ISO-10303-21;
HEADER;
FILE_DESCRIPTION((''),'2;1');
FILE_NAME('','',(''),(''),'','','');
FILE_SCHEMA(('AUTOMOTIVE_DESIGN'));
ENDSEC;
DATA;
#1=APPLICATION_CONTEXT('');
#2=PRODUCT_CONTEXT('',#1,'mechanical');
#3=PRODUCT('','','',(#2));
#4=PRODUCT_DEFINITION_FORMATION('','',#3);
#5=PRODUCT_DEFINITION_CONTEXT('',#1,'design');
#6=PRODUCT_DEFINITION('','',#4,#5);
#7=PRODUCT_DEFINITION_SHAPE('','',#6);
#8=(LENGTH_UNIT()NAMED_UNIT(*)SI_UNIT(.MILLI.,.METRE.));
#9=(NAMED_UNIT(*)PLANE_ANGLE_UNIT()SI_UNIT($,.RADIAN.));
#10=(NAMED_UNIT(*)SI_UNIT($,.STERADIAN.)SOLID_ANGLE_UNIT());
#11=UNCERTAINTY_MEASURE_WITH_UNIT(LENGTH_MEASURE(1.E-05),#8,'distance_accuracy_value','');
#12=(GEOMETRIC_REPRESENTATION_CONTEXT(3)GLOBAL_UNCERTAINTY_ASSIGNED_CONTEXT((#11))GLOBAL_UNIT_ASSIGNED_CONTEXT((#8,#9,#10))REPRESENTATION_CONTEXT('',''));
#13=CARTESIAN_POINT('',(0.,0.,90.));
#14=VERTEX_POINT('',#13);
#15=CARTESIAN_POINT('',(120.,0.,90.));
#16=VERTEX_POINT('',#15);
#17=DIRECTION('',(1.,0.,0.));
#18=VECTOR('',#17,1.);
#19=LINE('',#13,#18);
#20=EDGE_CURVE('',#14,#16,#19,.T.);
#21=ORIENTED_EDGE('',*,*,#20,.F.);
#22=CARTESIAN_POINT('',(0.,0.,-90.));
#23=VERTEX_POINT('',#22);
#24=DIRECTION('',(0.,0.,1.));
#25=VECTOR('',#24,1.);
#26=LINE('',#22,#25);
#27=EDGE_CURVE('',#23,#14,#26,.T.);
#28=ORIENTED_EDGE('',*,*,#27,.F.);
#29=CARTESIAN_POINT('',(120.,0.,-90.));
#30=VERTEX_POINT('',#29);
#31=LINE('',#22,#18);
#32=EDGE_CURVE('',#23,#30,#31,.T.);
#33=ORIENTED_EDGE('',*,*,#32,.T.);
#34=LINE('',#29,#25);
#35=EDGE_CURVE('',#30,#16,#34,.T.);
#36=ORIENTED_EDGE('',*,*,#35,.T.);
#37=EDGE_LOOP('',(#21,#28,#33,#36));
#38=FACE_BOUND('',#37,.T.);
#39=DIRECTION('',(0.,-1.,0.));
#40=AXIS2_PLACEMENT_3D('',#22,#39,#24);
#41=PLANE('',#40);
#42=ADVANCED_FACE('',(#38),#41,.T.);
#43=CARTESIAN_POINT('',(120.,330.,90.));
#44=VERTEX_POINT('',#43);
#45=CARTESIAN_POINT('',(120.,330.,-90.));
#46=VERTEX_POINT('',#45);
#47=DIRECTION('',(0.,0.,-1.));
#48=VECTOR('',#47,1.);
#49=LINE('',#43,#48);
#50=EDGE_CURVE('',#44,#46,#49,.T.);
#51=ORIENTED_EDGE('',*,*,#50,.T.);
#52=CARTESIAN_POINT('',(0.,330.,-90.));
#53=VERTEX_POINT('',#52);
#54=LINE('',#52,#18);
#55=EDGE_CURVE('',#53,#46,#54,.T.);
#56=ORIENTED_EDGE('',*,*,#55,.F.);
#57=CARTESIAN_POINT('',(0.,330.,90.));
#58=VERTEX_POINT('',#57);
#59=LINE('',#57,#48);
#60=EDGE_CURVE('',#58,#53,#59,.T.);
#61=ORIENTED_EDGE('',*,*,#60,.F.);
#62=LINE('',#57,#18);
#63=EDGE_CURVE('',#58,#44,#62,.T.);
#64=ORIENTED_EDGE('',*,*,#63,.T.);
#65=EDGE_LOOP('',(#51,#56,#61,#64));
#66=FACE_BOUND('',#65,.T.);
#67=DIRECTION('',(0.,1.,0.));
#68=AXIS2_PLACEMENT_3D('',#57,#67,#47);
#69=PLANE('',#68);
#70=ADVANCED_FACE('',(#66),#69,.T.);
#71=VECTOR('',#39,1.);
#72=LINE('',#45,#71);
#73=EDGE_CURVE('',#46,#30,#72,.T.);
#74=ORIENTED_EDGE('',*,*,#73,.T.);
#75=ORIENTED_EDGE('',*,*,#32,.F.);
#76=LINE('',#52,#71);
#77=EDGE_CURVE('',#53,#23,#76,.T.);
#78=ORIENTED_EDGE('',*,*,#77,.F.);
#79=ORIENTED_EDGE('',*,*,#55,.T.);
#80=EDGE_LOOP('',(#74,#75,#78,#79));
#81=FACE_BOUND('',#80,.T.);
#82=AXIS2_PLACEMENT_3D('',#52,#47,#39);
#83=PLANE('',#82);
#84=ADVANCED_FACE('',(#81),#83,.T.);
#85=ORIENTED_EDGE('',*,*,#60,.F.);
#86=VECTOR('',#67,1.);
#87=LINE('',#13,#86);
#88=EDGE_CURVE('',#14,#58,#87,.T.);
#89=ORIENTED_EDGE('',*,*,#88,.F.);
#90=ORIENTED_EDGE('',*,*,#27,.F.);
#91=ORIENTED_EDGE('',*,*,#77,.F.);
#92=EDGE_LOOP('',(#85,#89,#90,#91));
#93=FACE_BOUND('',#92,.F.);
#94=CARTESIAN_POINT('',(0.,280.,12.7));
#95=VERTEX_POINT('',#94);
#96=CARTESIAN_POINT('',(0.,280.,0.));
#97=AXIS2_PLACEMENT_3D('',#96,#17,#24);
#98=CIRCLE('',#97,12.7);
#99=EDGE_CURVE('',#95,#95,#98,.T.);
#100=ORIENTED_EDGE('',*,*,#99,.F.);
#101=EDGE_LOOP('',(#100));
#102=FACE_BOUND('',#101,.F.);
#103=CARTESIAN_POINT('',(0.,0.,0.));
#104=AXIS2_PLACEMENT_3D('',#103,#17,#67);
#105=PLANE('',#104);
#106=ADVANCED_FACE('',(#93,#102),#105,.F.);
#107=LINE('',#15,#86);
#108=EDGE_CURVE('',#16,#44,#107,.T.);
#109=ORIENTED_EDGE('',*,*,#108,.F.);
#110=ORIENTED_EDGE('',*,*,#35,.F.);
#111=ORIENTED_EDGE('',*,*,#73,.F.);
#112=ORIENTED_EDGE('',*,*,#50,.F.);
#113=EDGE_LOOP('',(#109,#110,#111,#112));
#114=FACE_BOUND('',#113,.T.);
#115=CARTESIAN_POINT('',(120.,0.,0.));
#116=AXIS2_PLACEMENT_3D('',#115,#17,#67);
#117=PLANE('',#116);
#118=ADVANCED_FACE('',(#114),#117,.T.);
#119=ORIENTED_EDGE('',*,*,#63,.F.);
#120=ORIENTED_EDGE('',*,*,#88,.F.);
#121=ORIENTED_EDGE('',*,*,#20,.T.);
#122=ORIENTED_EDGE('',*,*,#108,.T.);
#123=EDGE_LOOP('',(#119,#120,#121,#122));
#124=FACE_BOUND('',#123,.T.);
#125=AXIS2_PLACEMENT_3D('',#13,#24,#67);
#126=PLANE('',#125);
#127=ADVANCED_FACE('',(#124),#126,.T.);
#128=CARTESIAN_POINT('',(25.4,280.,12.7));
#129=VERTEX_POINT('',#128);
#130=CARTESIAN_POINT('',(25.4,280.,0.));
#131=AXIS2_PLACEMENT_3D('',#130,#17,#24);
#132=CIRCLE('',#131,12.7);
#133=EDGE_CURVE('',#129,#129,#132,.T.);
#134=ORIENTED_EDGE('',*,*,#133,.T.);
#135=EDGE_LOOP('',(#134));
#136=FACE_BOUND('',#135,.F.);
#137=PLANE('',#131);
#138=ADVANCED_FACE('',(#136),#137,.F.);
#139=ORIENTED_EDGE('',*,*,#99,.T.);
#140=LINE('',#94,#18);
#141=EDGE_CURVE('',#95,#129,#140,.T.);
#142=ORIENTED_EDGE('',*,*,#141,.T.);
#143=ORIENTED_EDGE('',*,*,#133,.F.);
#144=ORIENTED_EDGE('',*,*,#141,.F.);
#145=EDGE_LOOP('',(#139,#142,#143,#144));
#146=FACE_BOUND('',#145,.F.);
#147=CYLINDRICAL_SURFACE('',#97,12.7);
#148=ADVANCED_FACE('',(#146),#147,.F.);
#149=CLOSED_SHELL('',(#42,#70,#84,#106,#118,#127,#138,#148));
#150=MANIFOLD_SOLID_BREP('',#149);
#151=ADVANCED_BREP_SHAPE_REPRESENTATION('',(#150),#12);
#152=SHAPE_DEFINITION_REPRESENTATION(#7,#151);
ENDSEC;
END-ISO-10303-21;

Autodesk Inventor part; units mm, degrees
ref_plane "YZ Plane" through (0, 0, 0) normal (1, 0, 0) x (0, 1, 0)
ref_plane "XZ Plane" through (0, 0, 0) normal (0, 1, 0) x (-1, 0, 0)
ref_plane "XY Plane" through (0, 0, 0) normal (0, 0, 1) x (1, 0, 0)
sketch "Sketch1" plane through (0, 0, 0) normal (1, 0, 0) x (0, 1, 0)
  line L0 (0, 90) -> (330, 90)
  line L1 (330, 90) -> (330, -90)
  line L2 (330, -90) -> (0, -90)
  line L3 (0, -90) -> (0, 90)
  line L4 (0, 0) -> (345.997, 0) construction
  dimension "d0" = 330
  dimension "d1" = 180
extrude "Extrusion1" add sketch "Sketch1" along normal blind 120
sketch "Sketch2" plane through (120, 0, 0) normal (1, 0, 0) x (0, 0, -1)
  line L0 (-5.1081, 224.8212) -> (8.9019, 224.8212) construction
  line L1 (8.9019, 224.8212) -> (8.9019, 216.6905) construction
  line L2 (8.9019, 216.6905) -> (-5.1081, 216.6905) construction
  line L3 (-5.1081, 216.6905) -> (-5.1081, 224.8212) construction
  point P0 (0, 0)
hole "Hole1" at (0, 280, 0) direction (1, 0, 0) diameter 25.4 depth 25.4
properties part number "RFI_power_filter"
